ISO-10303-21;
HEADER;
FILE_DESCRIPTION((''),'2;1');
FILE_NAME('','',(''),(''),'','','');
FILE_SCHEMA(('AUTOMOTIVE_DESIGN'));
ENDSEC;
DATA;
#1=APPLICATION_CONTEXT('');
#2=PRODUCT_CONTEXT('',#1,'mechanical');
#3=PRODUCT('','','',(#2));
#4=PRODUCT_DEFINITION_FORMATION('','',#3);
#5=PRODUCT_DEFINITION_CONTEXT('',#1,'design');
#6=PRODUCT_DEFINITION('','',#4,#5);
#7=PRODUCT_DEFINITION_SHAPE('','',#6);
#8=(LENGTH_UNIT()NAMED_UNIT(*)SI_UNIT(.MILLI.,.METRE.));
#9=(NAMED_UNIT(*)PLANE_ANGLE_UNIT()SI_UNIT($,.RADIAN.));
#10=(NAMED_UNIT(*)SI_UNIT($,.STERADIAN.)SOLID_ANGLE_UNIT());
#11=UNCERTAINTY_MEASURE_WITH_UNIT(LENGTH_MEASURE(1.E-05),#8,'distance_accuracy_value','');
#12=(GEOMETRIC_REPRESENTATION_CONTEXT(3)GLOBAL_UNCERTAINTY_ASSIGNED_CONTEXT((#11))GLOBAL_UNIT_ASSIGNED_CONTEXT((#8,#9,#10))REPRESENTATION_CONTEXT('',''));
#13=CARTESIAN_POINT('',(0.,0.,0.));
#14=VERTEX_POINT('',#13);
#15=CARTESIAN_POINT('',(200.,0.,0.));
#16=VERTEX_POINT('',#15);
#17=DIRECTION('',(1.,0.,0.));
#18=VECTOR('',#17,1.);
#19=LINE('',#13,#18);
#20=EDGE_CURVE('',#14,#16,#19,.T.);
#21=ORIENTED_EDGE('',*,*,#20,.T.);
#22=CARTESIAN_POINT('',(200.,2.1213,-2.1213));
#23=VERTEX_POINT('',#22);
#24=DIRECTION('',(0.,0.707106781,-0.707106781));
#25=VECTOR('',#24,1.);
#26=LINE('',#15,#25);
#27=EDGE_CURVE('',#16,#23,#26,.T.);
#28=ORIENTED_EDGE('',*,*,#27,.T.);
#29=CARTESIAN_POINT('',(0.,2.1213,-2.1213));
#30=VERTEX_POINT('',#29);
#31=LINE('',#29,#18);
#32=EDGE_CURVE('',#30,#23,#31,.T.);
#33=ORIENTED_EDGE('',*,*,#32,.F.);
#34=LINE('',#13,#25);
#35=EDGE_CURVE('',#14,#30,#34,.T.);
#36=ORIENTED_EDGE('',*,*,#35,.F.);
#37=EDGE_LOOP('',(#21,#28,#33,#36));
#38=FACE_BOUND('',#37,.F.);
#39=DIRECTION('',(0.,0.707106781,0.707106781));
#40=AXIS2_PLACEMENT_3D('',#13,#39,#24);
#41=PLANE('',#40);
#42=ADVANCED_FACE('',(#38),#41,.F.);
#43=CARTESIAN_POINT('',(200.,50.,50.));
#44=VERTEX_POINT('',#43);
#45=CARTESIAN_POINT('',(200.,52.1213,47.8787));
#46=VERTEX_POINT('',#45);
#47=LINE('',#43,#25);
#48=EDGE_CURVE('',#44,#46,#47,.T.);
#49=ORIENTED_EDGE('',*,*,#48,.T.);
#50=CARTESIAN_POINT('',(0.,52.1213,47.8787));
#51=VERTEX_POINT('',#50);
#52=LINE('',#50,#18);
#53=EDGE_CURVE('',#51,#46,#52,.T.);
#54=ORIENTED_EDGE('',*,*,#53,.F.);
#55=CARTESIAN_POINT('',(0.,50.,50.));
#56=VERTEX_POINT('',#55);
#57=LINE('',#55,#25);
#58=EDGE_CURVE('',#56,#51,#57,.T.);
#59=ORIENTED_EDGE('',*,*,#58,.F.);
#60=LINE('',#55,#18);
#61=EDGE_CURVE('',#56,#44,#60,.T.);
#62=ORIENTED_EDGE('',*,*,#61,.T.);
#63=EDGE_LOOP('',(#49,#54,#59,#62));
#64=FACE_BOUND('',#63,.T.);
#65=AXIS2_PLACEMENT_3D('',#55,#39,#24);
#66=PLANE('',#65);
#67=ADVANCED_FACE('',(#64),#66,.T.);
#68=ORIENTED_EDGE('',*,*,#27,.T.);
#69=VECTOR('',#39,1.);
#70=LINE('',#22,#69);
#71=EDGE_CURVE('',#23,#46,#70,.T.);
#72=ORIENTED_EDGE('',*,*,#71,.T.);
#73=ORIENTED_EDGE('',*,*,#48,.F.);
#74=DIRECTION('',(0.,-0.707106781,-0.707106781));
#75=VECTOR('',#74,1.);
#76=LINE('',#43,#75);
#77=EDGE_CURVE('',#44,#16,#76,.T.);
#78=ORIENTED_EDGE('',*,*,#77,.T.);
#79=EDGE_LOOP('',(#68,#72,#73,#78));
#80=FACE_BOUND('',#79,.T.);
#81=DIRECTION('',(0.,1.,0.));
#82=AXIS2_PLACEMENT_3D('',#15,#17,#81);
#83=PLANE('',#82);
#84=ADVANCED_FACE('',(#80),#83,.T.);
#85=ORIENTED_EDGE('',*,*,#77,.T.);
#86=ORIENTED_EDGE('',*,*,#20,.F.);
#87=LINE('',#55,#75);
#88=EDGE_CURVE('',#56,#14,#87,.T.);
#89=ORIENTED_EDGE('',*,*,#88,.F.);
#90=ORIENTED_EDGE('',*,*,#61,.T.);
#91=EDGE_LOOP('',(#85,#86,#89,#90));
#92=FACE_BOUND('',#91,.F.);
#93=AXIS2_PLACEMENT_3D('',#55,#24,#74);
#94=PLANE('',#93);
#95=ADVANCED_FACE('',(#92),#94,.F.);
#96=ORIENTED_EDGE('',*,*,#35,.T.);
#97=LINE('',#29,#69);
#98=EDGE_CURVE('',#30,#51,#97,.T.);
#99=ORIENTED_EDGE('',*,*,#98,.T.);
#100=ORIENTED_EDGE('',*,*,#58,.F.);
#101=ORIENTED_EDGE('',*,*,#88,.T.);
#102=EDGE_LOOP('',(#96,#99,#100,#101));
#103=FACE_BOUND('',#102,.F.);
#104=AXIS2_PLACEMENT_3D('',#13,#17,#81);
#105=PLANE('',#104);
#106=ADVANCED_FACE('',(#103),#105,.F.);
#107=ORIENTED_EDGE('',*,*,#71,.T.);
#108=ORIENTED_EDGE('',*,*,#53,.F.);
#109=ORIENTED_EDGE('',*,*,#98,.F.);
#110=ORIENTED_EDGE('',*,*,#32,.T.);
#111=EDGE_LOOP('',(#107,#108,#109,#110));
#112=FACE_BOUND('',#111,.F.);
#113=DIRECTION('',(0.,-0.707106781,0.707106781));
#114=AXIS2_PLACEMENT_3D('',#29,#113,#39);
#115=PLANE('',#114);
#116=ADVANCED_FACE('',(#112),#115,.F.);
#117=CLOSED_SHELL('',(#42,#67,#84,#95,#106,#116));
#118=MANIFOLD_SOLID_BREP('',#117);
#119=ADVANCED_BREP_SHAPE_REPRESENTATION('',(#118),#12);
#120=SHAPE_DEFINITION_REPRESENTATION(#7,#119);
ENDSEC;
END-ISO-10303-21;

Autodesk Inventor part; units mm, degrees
ref_plane "YZ Plane" through (0, 0, 0) normal (1, 0, 0) x (0, 1, 0)
ref_plane "XZ Plane" through (0, 0, 0) normal (0, 1, 0) x (-1, 0, 0)
ref_plane "XY Plane" through (0, 0, 0) normal (0, 0, 1) x (1, 0, 0)
sketch "Sketch1" plane through (0, 0, 0) normal (1, 0, 0) x (0, 1, 0)
  line L0 (0, 0) -> (50, 0) construction
  line L1 (50, 50) -> (0, 0)
  line L2 (50, 50) -> (52.1213, 47.8787)
  line L3 (0, 0) -> (2.1213, -2.1213)
  line L4 (2.1213, -2.1213) -> (52.1213, 47.8787)
  dimension "d4" = 3
  dimension "d5" = 3
extrude "Extrusion1" add sketch "Sketch1" along normal blind 200
